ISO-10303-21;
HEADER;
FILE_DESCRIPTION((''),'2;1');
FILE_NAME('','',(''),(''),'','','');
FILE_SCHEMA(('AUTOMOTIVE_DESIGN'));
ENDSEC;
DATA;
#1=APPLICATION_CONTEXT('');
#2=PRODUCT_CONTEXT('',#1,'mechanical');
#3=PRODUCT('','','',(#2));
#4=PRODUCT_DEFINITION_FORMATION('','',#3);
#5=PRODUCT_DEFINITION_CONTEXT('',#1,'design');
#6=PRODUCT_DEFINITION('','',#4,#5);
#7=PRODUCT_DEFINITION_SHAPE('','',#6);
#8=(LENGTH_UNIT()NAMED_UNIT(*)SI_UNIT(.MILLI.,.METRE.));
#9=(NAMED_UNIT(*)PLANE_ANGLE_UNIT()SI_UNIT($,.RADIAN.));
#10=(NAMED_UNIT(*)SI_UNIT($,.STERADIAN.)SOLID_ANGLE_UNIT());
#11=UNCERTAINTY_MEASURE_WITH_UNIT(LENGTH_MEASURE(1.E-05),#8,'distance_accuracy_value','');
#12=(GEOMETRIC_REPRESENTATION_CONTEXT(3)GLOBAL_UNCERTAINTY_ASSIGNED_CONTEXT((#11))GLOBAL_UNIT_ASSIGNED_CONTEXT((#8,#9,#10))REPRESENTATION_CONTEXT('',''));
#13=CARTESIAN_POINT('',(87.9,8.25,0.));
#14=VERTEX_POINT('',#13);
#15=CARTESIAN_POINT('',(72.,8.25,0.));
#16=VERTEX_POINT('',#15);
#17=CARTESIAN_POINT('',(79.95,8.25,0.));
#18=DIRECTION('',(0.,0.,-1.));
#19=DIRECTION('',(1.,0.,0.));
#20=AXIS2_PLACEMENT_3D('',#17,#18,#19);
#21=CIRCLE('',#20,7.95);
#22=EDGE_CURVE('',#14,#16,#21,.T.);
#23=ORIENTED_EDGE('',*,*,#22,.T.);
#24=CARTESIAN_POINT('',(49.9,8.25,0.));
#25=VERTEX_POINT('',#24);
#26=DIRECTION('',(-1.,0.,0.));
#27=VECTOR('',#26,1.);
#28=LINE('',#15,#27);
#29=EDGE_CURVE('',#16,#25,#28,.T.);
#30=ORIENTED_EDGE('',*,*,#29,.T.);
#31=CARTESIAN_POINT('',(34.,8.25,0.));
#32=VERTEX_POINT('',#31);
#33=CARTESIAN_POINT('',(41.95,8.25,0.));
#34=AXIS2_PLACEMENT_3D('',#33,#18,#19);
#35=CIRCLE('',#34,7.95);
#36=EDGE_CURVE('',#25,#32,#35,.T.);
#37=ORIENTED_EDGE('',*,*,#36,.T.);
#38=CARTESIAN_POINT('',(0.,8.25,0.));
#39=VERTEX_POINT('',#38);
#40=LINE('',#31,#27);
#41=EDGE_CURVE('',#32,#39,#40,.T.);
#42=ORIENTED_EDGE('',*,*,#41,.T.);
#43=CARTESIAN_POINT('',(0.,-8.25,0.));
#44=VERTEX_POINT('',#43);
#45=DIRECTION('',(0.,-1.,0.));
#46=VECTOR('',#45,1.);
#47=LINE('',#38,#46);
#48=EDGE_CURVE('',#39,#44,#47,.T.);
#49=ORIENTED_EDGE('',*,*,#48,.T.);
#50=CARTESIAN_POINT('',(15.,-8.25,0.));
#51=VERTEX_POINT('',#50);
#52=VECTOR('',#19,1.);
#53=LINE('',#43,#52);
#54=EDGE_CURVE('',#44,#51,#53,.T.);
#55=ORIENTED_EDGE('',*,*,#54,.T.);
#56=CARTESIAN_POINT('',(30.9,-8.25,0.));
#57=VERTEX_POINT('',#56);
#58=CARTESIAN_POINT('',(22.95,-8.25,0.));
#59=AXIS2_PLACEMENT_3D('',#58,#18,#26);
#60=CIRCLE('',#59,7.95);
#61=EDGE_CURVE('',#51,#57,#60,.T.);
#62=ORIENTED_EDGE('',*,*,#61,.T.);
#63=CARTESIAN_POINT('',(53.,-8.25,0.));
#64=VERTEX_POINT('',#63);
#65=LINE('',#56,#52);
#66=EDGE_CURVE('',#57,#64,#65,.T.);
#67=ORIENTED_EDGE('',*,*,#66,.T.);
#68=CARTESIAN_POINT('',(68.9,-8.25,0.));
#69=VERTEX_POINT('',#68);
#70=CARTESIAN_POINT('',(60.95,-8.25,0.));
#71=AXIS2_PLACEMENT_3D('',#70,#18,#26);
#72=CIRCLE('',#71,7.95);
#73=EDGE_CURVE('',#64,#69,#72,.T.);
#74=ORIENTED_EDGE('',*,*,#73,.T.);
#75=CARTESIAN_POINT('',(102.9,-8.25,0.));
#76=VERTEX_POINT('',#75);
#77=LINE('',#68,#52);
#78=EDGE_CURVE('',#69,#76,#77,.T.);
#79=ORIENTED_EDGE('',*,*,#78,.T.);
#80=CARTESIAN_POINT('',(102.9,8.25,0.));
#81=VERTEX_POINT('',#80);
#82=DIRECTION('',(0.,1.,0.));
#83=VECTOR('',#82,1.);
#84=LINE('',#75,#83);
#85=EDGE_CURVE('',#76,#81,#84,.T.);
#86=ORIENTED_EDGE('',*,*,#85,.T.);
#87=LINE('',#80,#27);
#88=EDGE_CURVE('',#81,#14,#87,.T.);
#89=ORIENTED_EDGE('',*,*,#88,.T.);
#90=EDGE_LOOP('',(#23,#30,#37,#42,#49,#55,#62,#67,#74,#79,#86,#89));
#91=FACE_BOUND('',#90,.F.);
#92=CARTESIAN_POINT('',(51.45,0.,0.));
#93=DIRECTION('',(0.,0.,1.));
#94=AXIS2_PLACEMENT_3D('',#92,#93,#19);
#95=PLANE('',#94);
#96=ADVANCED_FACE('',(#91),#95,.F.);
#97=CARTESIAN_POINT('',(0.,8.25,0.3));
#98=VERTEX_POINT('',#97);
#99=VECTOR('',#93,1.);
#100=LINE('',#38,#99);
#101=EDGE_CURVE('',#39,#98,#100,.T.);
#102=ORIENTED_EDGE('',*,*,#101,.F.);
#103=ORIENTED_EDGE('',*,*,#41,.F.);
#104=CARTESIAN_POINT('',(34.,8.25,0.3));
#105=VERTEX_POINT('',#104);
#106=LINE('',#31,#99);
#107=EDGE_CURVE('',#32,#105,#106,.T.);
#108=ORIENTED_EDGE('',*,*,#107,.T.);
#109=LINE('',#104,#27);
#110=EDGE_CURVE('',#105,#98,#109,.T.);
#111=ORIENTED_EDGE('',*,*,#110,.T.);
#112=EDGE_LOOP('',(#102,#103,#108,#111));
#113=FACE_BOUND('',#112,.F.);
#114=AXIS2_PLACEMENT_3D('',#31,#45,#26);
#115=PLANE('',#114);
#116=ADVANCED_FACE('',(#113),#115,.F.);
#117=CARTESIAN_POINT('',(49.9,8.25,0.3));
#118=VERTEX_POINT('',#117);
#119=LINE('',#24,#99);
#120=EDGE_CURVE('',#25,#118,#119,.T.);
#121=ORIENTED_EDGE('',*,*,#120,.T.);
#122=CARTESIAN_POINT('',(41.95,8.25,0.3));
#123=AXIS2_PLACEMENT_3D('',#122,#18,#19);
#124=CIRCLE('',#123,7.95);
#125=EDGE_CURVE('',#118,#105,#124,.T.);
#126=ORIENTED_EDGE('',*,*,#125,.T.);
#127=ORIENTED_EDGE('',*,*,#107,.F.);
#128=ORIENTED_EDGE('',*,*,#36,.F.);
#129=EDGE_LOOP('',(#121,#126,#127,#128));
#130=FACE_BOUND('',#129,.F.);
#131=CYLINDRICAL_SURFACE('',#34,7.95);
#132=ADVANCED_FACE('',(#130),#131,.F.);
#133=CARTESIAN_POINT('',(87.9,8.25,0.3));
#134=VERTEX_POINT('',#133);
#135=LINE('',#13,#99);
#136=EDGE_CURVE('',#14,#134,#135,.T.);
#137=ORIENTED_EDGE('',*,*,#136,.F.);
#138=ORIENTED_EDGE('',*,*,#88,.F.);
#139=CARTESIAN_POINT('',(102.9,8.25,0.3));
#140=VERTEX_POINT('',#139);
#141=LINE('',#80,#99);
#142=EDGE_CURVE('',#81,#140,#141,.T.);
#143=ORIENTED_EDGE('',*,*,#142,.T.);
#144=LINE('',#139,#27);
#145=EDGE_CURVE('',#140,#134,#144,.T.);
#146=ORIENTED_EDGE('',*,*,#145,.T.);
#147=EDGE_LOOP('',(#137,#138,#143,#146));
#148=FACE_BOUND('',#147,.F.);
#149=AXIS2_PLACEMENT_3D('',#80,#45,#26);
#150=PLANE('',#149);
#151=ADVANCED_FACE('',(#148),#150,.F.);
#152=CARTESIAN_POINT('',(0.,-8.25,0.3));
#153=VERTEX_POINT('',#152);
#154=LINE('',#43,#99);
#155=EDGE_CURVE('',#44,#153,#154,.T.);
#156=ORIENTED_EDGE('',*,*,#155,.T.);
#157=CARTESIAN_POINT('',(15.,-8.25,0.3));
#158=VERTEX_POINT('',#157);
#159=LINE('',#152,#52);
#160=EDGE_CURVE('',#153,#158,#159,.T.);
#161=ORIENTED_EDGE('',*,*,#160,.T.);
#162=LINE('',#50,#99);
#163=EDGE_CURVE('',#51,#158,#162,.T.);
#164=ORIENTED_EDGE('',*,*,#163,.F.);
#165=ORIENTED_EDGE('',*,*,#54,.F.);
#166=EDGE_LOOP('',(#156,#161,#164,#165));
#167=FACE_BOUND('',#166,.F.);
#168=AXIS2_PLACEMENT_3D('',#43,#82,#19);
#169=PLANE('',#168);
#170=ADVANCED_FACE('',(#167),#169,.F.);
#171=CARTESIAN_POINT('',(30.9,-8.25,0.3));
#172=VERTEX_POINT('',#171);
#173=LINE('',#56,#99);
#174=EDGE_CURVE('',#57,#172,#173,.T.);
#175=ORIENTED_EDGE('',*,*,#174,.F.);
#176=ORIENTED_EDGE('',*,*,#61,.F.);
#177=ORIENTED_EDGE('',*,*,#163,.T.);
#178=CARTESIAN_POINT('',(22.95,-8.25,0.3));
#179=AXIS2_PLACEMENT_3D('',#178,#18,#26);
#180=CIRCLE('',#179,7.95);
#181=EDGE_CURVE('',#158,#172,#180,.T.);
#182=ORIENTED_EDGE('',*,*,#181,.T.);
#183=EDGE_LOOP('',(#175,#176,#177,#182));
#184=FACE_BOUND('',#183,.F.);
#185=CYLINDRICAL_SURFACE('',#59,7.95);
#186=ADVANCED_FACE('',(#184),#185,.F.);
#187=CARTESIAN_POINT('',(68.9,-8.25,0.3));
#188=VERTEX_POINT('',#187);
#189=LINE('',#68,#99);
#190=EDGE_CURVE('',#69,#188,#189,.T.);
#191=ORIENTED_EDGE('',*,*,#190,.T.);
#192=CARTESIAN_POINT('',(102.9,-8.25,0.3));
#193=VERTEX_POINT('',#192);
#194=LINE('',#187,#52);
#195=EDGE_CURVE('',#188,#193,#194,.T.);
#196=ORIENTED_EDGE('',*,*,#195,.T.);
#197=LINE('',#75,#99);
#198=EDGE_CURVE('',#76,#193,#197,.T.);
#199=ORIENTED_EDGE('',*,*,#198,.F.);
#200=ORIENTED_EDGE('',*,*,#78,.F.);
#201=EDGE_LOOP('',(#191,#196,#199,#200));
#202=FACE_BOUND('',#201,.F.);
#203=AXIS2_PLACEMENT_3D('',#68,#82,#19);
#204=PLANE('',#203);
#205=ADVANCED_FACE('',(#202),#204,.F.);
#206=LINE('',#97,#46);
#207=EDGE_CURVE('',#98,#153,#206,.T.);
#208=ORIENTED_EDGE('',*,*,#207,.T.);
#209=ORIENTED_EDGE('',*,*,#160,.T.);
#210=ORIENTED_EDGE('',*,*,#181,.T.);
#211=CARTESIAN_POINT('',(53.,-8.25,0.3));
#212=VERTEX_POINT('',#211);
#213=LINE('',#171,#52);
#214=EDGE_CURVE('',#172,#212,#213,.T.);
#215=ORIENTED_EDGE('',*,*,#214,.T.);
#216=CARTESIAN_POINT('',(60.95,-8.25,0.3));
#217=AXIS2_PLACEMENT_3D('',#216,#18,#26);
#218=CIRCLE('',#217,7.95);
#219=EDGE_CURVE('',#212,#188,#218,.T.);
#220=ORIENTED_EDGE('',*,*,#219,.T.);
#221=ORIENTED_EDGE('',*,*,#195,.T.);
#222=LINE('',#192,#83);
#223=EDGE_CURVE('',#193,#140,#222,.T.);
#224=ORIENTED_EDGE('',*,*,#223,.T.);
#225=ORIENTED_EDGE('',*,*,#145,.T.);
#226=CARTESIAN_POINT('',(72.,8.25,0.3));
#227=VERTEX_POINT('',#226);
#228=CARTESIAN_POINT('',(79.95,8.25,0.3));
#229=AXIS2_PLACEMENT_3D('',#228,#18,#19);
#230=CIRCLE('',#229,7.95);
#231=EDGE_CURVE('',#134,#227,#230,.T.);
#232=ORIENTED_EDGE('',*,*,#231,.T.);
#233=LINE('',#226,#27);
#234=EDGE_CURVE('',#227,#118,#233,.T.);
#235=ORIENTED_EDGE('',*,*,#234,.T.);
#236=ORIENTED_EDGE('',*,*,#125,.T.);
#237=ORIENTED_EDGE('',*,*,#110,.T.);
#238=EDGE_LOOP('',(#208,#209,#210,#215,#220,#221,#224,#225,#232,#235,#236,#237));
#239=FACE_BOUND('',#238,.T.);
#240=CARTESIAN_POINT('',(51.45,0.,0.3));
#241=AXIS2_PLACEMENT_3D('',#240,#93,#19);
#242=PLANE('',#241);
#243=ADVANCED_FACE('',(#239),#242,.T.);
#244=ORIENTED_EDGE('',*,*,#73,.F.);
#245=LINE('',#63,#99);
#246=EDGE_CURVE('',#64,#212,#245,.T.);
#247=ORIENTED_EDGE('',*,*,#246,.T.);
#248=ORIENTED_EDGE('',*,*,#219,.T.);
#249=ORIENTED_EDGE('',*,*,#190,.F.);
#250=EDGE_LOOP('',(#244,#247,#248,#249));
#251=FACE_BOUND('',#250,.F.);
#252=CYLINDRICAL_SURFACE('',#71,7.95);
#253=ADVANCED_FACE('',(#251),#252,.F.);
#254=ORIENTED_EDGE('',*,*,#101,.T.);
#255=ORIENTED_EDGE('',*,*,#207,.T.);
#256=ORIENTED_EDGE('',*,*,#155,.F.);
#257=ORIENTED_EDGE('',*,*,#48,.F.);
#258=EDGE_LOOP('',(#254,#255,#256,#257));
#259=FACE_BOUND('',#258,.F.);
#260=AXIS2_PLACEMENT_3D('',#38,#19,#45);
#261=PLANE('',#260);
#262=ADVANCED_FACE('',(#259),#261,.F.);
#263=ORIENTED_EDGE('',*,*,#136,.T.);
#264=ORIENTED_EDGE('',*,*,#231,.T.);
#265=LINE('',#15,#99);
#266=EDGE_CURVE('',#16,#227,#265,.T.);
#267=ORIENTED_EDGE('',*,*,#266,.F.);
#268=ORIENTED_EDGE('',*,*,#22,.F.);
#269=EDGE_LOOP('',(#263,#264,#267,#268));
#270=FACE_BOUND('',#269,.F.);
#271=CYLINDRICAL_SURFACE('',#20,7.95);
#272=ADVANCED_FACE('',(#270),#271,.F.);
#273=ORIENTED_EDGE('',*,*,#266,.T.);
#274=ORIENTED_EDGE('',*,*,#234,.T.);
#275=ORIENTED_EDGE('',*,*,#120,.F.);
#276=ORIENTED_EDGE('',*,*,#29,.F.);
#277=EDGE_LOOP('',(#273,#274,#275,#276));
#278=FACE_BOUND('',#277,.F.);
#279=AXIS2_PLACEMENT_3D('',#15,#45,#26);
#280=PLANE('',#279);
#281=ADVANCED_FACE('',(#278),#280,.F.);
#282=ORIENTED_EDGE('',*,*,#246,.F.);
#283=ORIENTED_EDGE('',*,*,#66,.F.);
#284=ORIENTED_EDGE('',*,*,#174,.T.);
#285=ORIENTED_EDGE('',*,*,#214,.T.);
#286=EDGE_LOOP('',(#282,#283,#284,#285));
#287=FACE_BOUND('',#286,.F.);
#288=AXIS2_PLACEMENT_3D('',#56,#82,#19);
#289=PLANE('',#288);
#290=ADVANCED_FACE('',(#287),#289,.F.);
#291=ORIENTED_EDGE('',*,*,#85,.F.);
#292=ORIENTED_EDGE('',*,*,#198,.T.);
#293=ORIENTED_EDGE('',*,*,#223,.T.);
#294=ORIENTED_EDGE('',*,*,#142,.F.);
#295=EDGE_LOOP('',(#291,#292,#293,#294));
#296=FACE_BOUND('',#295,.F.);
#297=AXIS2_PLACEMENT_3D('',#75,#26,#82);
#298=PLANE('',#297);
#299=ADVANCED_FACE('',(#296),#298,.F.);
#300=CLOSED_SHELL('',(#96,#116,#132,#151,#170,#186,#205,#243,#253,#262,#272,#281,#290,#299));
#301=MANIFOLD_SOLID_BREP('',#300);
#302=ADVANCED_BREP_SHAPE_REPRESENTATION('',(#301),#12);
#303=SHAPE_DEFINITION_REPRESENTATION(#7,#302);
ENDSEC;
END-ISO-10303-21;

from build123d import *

# Parameters (mm, degrees)
F1_DEPTH = 0.3


with BuildPart() as f1:
    # F0 (on Top) → F1 (new body)
    with BuildSketch(Plane.XY):
        with BuildLine():
            ThreePointArc((53, -8.25), (60.95, -0.3), (68.9, -8.25))
            Line((68.9, -8.25), (102.9, -8.25))
            Line((102.9, -8.25), (102.9, 8.25))
            Line((102.9, 8.25), (87.9, 8.25))
            ThreePointArc((87.9, 8.25), (79.95, 0.3), (72, 8.25))
            Line((72, 8.25), (49.9, 8.25))
            ThreePointArc((49.9, 8.25), (41.95, 0.3), (34, 8.25))
            Line((34, 8.25), (0, 8.25))
            Line((0, 8.25), (0, -8.25))
            Line((0, -8.25), (15, -8.25))
            ThreePointArc((15, -8.25), (22.95, -0.3), (30.9, -8.25))
            Line((30.9, -8.25), (53, -8.25))
        make_face()
    extrude(amount=F1_DEPTH)


solid = f1.part
